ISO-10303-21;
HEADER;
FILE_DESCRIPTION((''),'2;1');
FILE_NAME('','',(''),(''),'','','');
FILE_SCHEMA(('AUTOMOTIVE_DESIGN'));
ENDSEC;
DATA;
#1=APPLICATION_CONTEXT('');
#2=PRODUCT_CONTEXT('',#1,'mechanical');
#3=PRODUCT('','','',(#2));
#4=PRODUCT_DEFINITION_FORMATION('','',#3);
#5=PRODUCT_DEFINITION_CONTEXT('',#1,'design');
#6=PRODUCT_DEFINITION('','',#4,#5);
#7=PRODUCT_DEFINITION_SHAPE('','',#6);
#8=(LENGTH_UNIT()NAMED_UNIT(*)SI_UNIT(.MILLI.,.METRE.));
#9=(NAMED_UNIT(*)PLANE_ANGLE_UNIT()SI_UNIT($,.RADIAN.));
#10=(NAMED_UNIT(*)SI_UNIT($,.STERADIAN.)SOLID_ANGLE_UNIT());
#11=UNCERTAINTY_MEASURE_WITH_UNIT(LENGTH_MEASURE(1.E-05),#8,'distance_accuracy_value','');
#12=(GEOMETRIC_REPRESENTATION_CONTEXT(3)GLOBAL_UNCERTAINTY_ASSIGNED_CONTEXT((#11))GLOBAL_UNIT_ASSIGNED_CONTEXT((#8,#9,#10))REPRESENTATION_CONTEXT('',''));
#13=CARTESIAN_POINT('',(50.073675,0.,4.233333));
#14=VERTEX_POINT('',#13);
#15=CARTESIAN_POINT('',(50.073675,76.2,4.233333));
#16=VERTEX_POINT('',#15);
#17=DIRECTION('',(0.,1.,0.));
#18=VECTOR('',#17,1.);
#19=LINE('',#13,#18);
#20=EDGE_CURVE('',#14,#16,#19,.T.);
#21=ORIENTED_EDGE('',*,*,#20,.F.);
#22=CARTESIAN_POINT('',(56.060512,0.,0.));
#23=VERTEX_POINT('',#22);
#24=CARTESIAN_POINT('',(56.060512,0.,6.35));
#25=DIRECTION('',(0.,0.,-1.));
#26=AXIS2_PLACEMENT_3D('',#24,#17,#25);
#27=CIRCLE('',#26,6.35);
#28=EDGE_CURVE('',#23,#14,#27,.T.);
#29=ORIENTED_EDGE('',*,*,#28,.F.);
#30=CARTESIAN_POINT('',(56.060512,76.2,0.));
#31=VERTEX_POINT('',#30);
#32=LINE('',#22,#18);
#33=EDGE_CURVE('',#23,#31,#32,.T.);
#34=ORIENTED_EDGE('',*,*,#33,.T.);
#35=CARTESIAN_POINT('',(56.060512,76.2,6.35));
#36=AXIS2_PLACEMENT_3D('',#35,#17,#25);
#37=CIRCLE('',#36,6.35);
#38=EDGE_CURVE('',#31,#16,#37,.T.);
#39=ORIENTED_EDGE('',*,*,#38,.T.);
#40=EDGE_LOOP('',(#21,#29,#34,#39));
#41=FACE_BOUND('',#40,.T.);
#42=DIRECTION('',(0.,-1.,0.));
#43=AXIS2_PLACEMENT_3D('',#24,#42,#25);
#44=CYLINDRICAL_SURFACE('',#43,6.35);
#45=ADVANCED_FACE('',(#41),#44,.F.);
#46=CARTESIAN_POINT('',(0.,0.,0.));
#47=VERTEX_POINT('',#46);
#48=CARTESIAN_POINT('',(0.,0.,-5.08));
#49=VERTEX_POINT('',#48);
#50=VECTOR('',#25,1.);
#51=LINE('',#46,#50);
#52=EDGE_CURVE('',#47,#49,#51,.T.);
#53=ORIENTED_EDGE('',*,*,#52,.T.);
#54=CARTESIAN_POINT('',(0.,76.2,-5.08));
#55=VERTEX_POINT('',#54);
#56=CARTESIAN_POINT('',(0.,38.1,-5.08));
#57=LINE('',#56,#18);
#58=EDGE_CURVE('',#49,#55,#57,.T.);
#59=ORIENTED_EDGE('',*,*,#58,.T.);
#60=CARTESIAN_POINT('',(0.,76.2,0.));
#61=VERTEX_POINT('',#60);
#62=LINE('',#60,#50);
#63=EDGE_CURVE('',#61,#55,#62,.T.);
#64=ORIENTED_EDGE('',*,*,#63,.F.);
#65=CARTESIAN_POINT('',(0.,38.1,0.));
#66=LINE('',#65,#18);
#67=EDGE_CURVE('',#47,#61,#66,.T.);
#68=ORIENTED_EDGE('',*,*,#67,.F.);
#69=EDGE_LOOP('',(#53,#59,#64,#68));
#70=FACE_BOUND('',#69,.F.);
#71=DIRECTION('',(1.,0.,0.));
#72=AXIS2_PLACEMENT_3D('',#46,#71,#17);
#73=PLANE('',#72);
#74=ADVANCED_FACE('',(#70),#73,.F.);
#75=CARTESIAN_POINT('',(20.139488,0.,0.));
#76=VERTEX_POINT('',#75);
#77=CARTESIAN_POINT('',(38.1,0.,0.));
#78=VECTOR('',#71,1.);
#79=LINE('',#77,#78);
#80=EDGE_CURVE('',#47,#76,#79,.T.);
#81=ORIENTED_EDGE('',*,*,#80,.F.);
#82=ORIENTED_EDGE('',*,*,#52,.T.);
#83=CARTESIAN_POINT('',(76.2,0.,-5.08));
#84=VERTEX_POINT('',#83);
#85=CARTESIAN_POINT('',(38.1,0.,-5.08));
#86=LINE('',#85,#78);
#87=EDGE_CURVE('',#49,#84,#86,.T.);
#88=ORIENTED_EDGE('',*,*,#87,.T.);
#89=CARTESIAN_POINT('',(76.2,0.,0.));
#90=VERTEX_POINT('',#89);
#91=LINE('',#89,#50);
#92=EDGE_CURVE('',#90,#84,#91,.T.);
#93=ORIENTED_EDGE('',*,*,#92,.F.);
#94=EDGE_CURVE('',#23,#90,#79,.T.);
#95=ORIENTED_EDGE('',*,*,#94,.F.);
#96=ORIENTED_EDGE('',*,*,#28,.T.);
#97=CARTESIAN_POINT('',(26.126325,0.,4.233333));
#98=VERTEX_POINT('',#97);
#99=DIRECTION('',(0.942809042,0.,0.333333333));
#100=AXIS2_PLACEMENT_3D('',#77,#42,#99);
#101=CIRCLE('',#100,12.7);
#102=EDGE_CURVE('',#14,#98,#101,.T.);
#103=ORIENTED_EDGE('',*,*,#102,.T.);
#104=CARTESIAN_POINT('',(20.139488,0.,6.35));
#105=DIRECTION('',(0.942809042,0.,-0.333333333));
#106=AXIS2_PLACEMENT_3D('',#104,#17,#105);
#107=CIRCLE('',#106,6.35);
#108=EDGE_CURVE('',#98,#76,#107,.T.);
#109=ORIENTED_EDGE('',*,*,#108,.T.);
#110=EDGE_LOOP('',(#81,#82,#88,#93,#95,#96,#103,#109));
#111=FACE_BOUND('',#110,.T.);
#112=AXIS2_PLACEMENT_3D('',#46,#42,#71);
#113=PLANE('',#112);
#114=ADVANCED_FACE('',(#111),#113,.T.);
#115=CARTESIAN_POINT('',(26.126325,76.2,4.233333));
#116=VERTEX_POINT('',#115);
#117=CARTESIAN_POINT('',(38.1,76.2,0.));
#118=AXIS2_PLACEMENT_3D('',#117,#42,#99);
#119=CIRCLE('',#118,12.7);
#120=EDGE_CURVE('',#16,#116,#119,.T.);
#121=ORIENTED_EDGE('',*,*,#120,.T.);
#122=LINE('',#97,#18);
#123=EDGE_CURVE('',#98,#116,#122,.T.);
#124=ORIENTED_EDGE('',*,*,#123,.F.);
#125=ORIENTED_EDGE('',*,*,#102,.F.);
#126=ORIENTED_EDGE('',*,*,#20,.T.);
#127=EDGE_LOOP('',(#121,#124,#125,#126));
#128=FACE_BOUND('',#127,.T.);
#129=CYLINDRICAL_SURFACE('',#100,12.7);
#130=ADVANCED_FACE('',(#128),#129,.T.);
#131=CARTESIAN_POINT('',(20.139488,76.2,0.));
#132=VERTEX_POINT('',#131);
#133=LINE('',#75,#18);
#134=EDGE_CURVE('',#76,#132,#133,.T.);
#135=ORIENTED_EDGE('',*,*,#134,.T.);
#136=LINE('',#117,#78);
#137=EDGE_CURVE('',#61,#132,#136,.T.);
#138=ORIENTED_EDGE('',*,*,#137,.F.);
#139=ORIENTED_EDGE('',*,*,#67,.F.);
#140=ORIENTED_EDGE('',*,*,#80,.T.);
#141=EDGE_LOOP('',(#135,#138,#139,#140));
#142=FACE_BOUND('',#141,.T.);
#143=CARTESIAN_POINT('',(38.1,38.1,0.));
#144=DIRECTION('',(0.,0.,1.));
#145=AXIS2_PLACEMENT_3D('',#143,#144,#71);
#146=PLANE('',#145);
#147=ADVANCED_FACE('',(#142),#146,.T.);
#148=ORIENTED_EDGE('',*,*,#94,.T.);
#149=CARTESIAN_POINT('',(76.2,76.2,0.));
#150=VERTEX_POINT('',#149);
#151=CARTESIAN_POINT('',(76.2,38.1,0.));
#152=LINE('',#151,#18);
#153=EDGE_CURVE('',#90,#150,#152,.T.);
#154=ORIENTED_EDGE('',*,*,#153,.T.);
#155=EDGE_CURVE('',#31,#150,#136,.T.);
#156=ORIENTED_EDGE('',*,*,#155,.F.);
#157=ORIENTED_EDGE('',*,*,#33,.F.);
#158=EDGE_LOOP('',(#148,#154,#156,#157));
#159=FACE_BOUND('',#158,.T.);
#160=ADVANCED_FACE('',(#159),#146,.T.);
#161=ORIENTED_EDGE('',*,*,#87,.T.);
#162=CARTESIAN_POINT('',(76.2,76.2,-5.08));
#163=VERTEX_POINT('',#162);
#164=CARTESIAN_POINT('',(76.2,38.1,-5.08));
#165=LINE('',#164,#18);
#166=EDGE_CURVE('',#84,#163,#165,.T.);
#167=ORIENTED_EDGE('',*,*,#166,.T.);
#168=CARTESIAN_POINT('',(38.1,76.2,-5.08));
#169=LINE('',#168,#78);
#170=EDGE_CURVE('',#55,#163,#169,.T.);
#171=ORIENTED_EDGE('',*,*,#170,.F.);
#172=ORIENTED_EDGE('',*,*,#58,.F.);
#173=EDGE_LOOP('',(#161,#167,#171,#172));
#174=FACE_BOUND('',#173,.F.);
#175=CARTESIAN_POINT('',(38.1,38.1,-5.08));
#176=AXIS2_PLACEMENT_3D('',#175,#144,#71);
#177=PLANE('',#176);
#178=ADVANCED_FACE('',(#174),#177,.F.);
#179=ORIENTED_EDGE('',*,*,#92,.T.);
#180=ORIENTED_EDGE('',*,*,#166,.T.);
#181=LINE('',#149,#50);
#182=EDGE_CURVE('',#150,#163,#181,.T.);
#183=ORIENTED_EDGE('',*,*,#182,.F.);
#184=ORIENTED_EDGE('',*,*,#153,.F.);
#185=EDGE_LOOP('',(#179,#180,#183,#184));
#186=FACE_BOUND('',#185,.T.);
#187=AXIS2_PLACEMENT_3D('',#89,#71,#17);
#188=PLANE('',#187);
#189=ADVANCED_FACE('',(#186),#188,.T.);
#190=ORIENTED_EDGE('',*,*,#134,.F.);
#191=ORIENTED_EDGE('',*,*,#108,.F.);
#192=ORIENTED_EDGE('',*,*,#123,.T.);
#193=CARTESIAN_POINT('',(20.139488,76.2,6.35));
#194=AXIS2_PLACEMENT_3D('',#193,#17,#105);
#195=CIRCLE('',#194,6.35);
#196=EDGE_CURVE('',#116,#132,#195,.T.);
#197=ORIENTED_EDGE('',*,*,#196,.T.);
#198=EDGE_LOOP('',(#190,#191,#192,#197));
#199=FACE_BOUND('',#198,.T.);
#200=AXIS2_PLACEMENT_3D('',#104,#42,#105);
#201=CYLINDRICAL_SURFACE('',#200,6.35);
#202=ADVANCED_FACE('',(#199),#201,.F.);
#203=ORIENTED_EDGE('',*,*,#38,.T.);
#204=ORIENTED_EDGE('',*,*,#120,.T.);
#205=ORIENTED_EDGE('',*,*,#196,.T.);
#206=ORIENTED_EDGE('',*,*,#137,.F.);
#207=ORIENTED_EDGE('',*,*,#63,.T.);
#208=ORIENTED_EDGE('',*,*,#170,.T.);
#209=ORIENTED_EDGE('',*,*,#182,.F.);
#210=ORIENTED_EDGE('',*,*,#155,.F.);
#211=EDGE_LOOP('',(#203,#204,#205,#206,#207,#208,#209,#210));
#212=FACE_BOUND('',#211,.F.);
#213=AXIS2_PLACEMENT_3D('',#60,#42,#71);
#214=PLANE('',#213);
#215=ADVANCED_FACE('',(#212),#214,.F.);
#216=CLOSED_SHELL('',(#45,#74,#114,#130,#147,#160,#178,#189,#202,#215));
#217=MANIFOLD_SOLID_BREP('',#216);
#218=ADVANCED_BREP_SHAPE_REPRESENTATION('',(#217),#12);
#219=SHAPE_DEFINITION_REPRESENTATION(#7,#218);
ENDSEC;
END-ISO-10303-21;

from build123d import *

# Parameters (mm, degrees)
F0_W     = 76.2
F0_H     = 76.2
F1_DEPTH = 5.08
F3_DEPTH = 76.2
F4_ANGLE = -90


with BuildPart() as f1:
    # F0 (on Front) → F1 (new body)
    with BuildSketch(Plane.XZ):
        with Locations((38.1, 38.1)):
            Rectangle(F0_W, F0_H)
    extrude(amount=-F1_DEPTH)

    # F2 (on face) → F3 (join)
    with BuildSketch(Plane(origin=(0, 0, 0), x_dir=(1, 0, 0), z_dir=(0, 0, -1))):
        with BuildLine():
            ThreePointArc((56.0605122421, 0), (52.3943380328, 1.1652467111), (50.0736748281, 4.2333333333))
            ThreePointArc((50.0736748281, 4.2333333333), (38.1, 12.7), (26.1263251719, 4.2333333333))
            ThreePointArc((26.1263251719, 4.2333333333), (23.8056619672, 1.1652467111), (20.1394877579, 0))
            Line((20.1394877579, 0), (56.0605122421, 0))
        make_face()
    extrude(amount=-F3_DEPTH)


with BuildPart() as f1_1:
    # F4: moved
    add(f1.part.rotate(Axis((10.0697438789, 0, 0), (1, 0, 0)), F4_ANGLE))


solid = f1_1.part
